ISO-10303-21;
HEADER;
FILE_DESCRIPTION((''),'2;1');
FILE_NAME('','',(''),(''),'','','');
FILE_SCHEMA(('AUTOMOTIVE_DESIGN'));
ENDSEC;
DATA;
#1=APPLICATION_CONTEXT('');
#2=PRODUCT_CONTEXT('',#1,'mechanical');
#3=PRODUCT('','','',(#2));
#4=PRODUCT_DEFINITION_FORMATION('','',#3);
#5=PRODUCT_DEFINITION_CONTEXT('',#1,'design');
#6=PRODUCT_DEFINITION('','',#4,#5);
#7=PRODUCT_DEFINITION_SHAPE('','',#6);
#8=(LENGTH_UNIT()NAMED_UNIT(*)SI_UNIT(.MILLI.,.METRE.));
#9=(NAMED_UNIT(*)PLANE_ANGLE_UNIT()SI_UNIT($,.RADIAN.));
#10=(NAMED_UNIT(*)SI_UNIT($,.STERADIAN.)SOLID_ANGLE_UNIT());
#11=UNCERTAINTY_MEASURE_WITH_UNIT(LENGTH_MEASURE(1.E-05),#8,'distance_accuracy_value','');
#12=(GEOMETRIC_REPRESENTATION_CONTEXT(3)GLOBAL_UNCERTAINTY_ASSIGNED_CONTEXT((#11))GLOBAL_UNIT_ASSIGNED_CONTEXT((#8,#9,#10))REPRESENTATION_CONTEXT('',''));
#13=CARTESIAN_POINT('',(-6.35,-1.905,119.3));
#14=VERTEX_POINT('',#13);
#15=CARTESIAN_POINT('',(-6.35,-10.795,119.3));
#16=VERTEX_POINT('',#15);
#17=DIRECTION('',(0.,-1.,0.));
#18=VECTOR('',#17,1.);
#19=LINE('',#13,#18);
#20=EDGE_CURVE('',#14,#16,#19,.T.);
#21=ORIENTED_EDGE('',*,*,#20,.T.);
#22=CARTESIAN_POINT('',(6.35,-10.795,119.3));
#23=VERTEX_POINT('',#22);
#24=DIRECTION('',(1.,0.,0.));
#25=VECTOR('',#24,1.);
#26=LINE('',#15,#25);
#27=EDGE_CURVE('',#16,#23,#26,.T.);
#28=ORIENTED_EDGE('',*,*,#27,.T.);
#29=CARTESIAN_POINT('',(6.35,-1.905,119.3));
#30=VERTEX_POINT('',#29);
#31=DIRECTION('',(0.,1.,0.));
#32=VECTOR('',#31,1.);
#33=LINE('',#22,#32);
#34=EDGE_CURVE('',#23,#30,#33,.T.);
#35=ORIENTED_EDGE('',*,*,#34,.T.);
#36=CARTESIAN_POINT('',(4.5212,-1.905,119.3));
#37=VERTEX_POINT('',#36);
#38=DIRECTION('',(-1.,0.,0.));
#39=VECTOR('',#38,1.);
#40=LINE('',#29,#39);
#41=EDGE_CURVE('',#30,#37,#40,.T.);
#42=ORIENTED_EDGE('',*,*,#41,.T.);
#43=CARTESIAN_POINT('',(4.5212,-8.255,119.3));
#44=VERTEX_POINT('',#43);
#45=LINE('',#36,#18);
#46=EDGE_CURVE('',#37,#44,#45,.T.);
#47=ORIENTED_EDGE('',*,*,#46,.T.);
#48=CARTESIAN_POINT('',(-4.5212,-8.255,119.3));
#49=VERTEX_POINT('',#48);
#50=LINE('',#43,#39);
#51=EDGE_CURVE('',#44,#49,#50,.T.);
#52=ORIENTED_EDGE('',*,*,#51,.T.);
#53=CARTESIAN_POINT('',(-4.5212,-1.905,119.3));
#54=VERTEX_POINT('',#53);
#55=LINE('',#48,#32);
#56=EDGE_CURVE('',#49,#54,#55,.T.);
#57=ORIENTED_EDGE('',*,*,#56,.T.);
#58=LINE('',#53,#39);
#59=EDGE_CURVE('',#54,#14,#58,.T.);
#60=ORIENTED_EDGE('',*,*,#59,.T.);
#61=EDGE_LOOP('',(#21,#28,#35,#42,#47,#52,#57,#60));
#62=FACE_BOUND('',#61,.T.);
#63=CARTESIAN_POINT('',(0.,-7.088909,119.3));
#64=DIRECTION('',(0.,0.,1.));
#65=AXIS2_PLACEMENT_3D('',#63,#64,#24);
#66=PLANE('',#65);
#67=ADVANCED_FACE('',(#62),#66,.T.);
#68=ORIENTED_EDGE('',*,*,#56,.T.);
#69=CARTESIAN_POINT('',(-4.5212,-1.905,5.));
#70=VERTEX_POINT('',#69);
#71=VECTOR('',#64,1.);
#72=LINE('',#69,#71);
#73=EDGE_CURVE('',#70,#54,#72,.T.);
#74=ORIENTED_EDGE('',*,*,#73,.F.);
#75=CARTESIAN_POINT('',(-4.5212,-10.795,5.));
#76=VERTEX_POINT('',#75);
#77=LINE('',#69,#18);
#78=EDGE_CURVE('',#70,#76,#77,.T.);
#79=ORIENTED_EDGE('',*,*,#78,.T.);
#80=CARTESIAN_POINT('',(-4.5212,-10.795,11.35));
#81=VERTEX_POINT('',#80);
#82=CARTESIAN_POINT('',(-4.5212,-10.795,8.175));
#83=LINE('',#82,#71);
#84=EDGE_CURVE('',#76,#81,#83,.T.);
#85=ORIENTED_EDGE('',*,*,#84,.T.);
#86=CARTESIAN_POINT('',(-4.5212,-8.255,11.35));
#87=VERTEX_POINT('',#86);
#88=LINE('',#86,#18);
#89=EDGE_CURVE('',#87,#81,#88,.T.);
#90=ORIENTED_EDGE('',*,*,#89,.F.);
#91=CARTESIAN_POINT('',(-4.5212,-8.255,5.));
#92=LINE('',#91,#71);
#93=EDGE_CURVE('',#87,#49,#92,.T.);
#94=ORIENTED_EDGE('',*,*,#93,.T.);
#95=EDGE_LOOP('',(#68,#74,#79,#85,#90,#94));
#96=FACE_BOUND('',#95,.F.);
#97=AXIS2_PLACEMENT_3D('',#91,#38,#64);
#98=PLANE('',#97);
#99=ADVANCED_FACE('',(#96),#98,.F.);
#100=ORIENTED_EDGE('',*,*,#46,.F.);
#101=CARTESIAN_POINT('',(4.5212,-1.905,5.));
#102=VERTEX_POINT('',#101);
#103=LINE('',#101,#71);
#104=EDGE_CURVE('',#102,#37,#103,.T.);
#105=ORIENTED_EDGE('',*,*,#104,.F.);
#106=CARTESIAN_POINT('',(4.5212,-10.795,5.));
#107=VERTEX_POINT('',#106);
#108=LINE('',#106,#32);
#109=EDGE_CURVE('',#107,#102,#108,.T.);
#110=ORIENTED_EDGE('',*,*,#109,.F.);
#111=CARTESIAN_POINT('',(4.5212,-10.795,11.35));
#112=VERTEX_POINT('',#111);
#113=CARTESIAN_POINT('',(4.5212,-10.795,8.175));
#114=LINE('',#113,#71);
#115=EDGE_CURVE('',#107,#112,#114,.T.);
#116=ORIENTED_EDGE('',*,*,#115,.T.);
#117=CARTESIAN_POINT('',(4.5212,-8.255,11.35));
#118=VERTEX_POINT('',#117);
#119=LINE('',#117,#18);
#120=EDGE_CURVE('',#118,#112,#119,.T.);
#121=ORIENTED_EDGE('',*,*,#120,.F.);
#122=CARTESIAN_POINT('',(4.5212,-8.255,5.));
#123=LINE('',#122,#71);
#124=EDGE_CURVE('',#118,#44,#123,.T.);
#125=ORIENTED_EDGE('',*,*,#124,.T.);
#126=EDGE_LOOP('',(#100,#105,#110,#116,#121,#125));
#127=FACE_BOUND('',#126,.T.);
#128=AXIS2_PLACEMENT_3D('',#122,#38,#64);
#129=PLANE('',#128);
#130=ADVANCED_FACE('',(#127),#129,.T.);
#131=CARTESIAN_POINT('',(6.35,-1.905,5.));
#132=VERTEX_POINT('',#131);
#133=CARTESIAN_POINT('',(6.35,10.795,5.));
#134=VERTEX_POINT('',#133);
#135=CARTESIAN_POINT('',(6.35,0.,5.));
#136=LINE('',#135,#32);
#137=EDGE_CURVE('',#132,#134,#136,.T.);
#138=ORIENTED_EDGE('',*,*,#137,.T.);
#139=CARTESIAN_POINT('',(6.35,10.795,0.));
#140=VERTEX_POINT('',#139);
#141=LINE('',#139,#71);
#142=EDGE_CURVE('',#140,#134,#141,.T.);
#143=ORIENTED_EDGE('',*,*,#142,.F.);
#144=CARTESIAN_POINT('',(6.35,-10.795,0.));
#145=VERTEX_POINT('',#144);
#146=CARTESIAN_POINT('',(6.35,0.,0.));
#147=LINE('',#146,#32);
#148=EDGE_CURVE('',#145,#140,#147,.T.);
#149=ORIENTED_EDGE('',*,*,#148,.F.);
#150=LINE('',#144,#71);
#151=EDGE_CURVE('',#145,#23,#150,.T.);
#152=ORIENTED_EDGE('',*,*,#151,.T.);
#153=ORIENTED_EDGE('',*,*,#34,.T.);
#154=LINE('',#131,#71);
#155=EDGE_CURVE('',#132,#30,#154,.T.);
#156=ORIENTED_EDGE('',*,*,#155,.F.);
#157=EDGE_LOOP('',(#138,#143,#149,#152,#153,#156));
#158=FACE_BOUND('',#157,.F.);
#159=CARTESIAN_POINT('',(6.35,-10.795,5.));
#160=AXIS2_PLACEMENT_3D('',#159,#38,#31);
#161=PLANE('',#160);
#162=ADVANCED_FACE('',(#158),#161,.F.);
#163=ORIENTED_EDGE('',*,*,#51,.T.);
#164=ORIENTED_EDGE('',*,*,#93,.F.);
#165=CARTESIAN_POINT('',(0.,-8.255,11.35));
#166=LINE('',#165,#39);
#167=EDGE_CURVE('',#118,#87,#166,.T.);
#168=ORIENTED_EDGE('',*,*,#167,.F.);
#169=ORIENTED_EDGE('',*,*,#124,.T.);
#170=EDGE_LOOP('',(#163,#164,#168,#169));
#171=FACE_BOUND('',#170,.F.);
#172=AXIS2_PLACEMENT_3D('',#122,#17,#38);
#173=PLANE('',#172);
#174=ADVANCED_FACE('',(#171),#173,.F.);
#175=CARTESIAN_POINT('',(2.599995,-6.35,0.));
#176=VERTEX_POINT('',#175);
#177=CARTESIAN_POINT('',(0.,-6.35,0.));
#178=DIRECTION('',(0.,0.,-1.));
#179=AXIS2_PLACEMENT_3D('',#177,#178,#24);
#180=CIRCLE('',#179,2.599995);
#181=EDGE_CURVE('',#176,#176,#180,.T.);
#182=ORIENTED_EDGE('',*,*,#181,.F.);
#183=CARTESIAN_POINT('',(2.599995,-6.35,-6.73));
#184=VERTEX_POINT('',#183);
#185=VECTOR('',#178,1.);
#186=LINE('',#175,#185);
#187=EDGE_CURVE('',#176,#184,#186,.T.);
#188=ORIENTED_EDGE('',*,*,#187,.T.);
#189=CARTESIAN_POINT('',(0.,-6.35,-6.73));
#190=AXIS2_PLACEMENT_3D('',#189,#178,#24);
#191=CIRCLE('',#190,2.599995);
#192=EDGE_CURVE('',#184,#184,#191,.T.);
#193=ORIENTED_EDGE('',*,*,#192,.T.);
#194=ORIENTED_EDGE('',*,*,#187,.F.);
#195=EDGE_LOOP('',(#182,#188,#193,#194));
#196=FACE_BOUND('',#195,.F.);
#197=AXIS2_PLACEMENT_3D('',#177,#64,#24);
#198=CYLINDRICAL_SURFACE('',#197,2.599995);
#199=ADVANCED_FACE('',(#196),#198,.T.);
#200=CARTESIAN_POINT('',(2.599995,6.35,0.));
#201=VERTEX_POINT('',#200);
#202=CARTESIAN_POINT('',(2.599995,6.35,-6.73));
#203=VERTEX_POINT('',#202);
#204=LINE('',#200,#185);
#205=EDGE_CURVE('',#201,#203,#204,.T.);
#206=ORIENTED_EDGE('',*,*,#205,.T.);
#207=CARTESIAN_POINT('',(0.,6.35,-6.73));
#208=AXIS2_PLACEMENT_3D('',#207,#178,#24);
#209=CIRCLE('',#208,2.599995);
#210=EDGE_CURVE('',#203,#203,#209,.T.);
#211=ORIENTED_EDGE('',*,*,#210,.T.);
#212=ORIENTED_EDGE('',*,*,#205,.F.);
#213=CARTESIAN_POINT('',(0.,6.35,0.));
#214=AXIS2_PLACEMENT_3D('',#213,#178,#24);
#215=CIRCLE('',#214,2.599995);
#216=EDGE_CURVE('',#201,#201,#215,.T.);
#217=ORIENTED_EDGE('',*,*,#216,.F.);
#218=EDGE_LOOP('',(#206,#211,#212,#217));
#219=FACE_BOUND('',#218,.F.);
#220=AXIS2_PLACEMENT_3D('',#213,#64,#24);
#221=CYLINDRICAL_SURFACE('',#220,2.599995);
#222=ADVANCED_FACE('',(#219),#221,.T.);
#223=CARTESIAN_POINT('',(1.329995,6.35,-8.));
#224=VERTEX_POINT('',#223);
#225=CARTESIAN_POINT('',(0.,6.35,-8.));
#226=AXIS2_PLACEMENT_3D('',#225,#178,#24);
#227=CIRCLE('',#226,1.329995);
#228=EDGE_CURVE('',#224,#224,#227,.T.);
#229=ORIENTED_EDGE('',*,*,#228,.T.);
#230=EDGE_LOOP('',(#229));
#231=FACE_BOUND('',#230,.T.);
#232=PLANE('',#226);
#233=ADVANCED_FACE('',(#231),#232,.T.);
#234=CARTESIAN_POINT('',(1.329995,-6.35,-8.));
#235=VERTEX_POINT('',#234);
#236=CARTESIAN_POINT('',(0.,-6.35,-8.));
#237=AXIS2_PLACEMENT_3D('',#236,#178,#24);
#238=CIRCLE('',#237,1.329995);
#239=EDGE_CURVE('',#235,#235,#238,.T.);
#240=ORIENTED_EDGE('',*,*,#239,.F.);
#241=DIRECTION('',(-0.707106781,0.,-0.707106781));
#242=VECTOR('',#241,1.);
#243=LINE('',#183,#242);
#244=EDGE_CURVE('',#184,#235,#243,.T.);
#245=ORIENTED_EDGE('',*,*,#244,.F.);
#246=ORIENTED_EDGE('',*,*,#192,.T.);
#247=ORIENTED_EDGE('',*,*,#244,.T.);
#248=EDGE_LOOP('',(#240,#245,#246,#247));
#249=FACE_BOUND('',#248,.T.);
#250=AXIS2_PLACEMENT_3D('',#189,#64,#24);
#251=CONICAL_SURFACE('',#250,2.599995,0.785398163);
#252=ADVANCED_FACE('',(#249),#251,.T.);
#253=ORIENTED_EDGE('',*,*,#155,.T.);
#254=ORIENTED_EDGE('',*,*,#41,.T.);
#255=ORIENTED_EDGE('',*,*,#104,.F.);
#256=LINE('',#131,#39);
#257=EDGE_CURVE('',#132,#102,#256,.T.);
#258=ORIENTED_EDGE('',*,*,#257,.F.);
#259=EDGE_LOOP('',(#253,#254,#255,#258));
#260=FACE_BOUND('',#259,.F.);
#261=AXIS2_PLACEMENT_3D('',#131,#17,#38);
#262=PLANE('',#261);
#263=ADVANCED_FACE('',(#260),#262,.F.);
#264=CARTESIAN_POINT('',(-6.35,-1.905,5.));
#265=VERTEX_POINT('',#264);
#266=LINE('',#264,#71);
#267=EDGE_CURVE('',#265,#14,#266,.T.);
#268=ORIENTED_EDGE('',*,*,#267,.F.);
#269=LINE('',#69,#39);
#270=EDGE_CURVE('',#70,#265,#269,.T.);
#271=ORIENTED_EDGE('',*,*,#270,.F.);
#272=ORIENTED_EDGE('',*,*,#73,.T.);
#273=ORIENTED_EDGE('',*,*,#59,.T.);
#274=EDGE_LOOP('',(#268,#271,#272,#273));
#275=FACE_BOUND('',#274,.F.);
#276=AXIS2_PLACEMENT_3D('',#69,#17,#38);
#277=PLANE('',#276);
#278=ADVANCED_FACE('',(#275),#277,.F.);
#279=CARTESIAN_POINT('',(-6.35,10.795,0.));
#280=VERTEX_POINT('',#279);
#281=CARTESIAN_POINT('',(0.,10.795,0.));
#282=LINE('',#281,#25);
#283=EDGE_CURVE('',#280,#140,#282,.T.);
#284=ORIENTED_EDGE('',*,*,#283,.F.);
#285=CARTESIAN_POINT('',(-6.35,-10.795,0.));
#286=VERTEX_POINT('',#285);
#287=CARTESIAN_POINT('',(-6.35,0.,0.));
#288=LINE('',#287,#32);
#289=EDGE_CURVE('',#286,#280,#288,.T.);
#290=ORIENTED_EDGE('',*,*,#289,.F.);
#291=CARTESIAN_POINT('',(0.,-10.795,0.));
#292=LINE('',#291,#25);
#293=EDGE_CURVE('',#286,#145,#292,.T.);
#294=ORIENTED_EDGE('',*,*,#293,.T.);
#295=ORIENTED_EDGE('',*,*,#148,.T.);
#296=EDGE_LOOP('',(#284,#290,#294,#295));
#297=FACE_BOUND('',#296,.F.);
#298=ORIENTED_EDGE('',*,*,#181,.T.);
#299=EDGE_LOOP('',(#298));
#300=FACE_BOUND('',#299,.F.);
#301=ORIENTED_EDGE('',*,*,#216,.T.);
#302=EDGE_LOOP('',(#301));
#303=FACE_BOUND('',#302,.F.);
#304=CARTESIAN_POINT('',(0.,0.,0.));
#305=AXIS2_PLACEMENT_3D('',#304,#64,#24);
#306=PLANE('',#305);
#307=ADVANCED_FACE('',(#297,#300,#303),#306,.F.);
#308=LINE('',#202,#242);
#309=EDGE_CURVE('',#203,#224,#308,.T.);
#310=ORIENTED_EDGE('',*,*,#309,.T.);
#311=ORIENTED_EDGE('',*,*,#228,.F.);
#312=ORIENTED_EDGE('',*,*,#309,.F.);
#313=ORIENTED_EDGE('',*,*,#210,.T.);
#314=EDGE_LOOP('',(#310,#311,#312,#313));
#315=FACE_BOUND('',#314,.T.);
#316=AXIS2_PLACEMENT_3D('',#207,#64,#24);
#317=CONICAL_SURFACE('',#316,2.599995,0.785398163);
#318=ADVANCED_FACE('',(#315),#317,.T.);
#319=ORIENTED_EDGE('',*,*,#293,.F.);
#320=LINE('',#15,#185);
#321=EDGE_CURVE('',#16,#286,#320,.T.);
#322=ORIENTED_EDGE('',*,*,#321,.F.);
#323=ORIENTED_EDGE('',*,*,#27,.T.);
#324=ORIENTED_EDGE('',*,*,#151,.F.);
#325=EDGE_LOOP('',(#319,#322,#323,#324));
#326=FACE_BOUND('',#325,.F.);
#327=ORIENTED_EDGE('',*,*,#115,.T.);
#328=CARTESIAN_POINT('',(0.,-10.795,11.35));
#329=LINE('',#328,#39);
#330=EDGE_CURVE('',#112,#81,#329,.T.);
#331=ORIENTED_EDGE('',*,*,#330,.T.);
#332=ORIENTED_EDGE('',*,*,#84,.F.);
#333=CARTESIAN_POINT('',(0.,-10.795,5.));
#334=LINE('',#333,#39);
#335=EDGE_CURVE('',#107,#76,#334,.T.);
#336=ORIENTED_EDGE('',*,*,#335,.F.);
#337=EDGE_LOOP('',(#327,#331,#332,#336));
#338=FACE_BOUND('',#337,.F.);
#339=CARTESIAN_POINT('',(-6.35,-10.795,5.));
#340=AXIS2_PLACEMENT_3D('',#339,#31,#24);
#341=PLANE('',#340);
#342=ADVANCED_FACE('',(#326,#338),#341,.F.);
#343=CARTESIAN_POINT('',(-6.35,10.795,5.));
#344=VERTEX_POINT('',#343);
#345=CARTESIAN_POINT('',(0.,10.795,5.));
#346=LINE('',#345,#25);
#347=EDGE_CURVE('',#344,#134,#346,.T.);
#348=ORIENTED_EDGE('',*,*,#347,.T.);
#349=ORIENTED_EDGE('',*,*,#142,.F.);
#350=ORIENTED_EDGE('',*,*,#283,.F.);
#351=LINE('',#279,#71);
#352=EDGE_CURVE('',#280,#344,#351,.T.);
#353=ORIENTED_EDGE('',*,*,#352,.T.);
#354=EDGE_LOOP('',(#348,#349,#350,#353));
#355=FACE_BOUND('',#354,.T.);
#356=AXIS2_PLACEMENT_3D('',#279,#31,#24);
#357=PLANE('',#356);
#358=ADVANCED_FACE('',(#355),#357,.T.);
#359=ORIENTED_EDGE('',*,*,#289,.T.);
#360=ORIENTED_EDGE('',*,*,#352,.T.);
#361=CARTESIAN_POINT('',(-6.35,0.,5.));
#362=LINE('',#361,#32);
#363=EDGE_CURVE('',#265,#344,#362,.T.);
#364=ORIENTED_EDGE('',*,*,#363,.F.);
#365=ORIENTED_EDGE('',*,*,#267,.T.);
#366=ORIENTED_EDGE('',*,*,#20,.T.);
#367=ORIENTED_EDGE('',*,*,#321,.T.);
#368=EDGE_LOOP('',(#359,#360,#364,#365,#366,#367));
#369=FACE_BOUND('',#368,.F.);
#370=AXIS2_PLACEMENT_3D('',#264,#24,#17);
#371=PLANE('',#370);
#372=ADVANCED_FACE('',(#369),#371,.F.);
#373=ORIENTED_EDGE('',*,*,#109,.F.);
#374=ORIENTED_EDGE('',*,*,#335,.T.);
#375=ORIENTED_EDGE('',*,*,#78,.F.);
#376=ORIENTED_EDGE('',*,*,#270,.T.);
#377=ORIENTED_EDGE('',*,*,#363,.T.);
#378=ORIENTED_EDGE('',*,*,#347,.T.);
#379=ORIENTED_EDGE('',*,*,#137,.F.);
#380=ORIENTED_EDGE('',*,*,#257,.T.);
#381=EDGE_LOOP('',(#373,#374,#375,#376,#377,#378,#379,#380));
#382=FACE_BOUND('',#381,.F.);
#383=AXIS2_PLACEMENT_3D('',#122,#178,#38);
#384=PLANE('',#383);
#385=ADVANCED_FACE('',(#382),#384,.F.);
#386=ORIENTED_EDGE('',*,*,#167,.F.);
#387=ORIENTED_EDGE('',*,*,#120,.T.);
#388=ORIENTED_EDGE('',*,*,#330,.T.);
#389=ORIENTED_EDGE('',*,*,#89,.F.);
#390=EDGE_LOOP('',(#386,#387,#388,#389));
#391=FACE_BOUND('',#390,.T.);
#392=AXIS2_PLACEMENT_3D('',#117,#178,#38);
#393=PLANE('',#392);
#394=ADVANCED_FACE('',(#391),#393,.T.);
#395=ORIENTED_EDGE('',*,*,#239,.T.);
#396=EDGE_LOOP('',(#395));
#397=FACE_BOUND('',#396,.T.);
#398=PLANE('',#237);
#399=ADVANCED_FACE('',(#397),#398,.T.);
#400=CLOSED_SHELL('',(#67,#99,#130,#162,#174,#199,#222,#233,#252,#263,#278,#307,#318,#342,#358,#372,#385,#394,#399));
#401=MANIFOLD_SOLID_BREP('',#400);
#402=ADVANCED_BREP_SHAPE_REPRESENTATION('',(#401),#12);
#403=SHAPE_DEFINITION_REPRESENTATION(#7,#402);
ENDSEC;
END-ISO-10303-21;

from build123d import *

# Parameters (mm, degrees)
F0_W     = 12.7
F0_H     = 21.59
F1_DEPTH = 5
F2_R     = 2.599995
F3_DEPTH = 8
F4_SIZE  = 1.27
F6_DEPTH = 114.3
F7_W     = 9.0424
F7_H     = 6.35
F8_DEPTH = 2.54


with BuildPart() as f1:
    # F0 (on Top) → F1 (new body)
    with BuildSketch(Plane.XY):
        Rectangle(F0_W, F0_H)
    extrude(amount=F1_DEPTH)

    # F2 (on face) → F3 (join)
    with BuildSketch(Plane(origin=(0, 0, 0), x_dir=(1, 0, 0), z_dir=(0, 0, -1))):
        with Locations((0, 6.35)):
            Circle(F2_R)
        with Locations((0, -6.35)):
            Circle(F2_R)
    extrude(amount=F3_DEPTH)

    # F4
    f4_edges = [f1.edges().sort_by_distance(p)[0] for p in [
        (-2.599995, -6.35, -8),
        (-2.599995, 6.35, -8),
    ]]
    chamfer(f4_edges, length=F4_SIZE)

    # F5 (on face) → F6 (join)
    with BuildSketch(Plane.XY.offset(5)):
        Polygon((-6.35, -10.795), (6.35, -10.795), (6.35, -1.905), (4.5212, -1.905), (4.5212, -8.255), (-4.5212, -8.255), (-4.5212, -1.905), (-6.35, -1.905), align=None)
    extrude(amount=F6_DEPTH)

    # F7 (on face) → F8 (cut, through all)
    with BuildSketch(Plane(origin=(0, -8.255, 0), x_dir=(-1, 0, 0), z_dir=(0, 1, 0))):
        with Locations((0, 8.175)):
            Rectangle(F7_W, F7_H)
    extrude(amount=-F8_DEPTH, mode=Mode.SUBTRACT)


solid = f1.part
